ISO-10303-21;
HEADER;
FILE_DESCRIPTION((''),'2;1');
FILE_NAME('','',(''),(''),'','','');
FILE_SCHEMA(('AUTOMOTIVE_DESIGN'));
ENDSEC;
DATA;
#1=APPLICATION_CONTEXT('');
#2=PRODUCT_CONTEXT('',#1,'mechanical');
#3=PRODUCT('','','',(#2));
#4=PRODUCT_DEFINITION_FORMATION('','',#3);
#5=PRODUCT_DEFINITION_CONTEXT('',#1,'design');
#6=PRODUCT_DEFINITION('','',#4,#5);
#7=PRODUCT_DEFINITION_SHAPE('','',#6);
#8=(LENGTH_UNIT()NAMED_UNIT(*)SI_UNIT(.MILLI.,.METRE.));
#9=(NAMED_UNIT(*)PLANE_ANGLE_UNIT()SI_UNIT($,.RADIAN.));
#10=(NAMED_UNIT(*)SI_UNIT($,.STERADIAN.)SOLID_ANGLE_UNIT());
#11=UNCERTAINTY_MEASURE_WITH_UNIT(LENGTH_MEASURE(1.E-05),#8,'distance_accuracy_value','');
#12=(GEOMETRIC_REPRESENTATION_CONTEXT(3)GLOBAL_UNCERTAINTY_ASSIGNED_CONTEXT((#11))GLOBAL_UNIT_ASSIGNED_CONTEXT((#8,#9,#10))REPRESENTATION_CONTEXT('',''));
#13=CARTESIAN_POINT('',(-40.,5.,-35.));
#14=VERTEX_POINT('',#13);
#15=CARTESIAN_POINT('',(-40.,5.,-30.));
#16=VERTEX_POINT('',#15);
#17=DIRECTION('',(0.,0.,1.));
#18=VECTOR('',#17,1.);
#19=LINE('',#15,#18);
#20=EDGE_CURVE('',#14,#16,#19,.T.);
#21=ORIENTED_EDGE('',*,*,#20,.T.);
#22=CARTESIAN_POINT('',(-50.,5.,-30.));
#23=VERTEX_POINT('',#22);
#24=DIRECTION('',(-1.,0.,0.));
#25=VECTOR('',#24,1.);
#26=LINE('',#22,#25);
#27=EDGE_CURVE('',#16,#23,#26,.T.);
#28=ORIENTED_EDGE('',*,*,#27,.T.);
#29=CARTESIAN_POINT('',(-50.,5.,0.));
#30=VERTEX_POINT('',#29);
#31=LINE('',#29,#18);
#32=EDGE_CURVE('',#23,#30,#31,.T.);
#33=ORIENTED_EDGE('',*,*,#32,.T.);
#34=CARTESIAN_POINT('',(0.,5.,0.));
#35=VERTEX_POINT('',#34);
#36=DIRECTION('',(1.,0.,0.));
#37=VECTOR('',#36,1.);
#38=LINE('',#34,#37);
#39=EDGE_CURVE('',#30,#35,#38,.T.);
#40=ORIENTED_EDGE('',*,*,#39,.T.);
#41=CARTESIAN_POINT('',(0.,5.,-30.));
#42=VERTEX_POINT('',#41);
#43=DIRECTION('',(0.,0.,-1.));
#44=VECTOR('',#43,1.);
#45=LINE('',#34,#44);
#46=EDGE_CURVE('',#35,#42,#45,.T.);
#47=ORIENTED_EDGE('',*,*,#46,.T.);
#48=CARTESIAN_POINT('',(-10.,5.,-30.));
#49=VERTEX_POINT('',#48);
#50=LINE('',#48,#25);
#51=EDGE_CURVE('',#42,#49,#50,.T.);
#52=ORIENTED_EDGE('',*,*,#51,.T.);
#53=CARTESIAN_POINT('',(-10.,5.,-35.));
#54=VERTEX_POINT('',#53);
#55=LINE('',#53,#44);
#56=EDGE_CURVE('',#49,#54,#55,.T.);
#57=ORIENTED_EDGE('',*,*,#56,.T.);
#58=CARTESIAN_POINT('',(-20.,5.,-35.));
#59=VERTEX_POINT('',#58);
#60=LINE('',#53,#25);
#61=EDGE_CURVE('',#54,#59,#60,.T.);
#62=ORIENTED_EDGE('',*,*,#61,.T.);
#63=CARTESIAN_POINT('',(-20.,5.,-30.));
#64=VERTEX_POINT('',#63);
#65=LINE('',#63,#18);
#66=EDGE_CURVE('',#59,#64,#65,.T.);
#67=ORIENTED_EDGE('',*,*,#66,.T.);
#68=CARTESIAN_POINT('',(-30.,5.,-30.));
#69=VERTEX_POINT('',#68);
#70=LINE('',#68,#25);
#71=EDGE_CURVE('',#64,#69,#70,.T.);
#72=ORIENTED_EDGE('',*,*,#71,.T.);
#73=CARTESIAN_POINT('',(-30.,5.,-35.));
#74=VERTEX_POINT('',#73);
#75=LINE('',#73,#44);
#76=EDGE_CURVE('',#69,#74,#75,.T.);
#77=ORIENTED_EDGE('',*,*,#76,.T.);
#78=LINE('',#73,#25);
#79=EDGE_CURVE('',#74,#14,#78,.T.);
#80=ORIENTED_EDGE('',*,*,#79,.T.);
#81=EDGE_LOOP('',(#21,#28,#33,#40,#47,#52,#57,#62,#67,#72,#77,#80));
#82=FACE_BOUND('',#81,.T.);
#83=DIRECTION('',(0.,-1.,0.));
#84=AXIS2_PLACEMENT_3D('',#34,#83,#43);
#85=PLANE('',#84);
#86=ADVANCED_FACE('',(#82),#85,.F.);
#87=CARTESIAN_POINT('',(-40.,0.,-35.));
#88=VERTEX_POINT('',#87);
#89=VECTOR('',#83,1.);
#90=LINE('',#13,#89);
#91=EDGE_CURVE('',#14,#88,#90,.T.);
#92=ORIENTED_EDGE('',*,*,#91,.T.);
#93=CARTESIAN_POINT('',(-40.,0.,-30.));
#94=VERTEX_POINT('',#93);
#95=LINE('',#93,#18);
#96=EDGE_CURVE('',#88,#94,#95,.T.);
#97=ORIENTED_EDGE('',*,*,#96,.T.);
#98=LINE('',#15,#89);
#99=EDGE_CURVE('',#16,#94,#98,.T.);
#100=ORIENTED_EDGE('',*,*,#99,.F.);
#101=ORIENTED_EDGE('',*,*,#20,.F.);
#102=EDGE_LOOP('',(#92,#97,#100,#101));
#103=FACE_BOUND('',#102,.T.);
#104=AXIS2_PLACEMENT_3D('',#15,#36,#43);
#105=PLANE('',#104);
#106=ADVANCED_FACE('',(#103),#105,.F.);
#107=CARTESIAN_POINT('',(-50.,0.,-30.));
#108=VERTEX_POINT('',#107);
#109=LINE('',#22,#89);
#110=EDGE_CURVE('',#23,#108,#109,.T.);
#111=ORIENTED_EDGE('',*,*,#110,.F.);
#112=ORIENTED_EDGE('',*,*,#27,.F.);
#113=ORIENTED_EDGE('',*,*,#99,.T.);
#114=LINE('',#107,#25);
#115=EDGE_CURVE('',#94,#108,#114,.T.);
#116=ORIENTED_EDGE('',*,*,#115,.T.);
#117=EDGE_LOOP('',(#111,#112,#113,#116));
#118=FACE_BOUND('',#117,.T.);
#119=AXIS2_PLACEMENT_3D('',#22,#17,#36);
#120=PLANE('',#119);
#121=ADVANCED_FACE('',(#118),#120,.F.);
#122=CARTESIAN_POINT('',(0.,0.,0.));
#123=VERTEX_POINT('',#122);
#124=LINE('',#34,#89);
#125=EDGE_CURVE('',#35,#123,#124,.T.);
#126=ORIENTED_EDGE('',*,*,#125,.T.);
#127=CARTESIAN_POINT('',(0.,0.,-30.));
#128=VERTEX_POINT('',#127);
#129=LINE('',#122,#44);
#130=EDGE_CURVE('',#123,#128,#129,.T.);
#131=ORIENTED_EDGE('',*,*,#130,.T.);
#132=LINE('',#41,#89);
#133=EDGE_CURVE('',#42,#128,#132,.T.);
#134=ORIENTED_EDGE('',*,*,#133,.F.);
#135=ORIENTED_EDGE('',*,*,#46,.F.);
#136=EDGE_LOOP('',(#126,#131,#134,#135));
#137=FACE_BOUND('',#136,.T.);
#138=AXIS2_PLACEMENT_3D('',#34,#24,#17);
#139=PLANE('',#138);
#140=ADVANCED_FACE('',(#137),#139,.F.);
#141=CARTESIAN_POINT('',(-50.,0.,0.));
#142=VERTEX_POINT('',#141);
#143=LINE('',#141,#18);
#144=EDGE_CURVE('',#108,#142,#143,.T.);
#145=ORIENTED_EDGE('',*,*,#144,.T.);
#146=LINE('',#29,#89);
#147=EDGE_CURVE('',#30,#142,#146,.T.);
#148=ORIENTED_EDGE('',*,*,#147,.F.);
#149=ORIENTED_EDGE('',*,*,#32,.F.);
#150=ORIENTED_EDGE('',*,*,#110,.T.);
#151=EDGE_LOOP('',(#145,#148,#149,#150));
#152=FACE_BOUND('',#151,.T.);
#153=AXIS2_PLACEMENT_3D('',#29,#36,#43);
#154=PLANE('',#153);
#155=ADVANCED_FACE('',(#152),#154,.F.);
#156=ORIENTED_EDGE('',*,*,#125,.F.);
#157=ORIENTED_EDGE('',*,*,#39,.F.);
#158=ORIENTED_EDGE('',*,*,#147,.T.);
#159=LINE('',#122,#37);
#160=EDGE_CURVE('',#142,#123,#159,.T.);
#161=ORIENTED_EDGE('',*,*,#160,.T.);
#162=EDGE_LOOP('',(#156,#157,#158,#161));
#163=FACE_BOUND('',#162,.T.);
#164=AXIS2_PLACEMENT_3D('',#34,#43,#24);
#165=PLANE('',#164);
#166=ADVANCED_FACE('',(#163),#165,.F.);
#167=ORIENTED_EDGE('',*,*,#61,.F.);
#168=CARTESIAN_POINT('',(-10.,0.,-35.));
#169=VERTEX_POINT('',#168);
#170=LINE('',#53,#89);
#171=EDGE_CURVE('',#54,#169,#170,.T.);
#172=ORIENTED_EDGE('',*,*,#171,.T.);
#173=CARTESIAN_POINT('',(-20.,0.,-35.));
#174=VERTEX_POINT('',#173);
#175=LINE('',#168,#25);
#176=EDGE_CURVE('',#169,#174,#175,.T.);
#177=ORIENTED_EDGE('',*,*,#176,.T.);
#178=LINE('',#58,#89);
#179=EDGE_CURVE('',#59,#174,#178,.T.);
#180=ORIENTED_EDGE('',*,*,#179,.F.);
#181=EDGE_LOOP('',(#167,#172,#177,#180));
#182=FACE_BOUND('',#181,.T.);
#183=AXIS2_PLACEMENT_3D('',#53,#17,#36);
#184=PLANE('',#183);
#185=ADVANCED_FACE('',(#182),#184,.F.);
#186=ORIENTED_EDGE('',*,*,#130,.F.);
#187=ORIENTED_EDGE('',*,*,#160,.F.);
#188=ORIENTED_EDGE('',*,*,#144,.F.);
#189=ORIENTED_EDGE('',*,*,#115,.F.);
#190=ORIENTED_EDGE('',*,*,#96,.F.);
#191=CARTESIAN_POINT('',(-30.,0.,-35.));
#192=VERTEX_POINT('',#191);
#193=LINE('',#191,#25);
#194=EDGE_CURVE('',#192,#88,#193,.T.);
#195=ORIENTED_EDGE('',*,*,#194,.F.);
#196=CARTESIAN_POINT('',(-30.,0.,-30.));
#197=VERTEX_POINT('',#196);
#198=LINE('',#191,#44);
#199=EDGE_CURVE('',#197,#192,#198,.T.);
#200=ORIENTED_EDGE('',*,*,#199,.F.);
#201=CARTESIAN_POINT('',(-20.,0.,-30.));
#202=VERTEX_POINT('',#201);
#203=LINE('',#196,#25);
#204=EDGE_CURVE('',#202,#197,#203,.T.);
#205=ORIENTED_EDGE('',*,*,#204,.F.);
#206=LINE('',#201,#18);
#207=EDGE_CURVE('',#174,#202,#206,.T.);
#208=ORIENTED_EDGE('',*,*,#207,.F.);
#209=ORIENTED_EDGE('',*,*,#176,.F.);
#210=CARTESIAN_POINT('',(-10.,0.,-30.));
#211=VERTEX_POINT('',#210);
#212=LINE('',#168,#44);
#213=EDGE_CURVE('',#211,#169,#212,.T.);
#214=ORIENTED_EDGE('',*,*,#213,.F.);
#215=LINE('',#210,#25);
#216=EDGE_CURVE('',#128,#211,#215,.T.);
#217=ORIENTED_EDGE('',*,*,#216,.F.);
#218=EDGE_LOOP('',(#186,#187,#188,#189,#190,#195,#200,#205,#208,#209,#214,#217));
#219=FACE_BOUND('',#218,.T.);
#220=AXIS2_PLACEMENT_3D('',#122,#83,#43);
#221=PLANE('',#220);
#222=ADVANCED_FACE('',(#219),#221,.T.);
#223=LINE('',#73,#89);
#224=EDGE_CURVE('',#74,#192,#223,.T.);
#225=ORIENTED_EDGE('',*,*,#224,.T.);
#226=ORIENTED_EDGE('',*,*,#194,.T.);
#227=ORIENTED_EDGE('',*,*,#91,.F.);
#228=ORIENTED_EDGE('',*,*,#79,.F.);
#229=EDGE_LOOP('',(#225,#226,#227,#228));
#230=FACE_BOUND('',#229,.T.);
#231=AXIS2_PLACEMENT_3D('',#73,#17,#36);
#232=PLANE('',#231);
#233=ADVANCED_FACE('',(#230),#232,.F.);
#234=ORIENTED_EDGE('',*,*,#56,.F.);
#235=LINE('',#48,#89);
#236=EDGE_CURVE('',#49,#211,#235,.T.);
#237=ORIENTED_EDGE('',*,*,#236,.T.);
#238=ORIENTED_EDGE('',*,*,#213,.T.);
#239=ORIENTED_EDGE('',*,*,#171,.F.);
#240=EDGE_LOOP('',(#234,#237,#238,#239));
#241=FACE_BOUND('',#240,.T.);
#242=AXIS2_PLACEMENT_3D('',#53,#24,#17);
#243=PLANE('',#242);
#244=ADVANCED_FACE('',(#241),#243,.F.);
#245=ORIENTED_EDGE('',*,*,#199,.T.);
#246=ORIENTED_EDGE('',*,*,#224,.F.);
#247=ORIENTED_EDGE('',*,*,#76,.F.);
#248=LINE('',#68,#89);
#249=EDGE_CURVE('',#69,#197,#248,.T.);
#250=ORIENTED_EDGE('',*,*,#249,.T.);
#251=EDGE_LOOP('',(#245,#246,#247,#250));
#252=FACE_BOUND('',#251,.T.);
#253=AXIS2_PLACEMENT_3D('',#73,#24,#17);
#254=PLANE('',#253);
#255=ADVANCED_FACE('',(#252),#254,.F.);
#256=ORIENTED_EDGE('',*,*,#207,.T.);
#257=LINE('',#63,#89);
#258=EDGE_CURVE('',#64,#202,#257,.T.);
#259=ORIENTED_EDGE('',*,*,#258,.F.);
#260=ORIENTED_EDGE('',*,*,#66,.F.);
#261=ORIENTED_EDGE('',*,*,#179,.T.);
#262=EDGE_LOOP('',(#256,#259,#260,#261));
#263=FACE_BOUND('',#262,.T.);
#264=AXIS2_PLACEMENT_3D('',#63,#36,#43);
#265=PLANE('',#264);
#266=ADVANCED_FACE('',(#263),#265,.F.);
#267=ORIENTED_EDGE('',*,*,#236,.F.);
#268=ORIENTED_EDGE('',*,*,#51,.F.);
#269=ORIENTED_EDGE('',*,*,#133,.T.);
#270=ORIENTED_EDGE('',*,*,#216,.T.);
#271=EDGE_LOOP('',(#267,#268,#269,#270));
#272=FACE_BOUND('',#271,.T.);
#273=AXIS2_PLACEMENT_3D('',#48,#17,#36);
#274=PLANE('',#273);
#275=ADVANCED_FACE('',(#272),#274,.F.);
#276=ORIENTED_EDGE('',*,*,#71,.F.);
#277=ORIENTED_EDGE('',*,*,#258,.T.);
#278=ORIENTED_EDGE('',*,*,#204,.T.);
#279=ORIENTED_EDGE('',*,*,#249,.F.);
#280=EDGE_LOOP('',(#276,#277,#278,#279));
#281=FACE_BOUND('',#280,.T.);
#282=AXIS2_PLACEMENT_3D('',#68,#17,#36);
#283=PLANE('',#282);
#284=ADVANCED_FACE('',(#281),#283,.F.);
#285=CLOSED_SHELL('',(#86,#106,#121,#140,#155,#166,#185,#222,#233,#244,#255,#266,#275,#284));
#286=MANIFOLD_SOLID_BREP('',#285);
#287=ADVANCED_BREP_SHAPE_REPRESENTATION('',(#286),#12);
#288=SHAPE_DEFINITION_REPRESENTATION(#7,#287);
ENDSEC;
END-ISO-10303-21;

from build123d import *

# Parameters (mm, degrees)
BOSS_EXTRUDE2_DEPTH = 5


with BuildPart() as part:
    # Sketch1 → Boss-Extrude2 (new body)
    with BuildSketch(Plane(origin=(0, 0, 0), x_dir=(1, 0, 0), z_dir=(0, 1, 0))):
        Polygon((-30, 35), (-40, 35), (-40, 30), (-50, 30), (-50, 0), (0, 0), (0, 30), (-10, 30), (-10, 35), (-20, 35), (-20, 30), (-30, 30), align=None)
    extrude(amount=BOSS_EXTRUDE2_DEPTH)


solid = part.part
